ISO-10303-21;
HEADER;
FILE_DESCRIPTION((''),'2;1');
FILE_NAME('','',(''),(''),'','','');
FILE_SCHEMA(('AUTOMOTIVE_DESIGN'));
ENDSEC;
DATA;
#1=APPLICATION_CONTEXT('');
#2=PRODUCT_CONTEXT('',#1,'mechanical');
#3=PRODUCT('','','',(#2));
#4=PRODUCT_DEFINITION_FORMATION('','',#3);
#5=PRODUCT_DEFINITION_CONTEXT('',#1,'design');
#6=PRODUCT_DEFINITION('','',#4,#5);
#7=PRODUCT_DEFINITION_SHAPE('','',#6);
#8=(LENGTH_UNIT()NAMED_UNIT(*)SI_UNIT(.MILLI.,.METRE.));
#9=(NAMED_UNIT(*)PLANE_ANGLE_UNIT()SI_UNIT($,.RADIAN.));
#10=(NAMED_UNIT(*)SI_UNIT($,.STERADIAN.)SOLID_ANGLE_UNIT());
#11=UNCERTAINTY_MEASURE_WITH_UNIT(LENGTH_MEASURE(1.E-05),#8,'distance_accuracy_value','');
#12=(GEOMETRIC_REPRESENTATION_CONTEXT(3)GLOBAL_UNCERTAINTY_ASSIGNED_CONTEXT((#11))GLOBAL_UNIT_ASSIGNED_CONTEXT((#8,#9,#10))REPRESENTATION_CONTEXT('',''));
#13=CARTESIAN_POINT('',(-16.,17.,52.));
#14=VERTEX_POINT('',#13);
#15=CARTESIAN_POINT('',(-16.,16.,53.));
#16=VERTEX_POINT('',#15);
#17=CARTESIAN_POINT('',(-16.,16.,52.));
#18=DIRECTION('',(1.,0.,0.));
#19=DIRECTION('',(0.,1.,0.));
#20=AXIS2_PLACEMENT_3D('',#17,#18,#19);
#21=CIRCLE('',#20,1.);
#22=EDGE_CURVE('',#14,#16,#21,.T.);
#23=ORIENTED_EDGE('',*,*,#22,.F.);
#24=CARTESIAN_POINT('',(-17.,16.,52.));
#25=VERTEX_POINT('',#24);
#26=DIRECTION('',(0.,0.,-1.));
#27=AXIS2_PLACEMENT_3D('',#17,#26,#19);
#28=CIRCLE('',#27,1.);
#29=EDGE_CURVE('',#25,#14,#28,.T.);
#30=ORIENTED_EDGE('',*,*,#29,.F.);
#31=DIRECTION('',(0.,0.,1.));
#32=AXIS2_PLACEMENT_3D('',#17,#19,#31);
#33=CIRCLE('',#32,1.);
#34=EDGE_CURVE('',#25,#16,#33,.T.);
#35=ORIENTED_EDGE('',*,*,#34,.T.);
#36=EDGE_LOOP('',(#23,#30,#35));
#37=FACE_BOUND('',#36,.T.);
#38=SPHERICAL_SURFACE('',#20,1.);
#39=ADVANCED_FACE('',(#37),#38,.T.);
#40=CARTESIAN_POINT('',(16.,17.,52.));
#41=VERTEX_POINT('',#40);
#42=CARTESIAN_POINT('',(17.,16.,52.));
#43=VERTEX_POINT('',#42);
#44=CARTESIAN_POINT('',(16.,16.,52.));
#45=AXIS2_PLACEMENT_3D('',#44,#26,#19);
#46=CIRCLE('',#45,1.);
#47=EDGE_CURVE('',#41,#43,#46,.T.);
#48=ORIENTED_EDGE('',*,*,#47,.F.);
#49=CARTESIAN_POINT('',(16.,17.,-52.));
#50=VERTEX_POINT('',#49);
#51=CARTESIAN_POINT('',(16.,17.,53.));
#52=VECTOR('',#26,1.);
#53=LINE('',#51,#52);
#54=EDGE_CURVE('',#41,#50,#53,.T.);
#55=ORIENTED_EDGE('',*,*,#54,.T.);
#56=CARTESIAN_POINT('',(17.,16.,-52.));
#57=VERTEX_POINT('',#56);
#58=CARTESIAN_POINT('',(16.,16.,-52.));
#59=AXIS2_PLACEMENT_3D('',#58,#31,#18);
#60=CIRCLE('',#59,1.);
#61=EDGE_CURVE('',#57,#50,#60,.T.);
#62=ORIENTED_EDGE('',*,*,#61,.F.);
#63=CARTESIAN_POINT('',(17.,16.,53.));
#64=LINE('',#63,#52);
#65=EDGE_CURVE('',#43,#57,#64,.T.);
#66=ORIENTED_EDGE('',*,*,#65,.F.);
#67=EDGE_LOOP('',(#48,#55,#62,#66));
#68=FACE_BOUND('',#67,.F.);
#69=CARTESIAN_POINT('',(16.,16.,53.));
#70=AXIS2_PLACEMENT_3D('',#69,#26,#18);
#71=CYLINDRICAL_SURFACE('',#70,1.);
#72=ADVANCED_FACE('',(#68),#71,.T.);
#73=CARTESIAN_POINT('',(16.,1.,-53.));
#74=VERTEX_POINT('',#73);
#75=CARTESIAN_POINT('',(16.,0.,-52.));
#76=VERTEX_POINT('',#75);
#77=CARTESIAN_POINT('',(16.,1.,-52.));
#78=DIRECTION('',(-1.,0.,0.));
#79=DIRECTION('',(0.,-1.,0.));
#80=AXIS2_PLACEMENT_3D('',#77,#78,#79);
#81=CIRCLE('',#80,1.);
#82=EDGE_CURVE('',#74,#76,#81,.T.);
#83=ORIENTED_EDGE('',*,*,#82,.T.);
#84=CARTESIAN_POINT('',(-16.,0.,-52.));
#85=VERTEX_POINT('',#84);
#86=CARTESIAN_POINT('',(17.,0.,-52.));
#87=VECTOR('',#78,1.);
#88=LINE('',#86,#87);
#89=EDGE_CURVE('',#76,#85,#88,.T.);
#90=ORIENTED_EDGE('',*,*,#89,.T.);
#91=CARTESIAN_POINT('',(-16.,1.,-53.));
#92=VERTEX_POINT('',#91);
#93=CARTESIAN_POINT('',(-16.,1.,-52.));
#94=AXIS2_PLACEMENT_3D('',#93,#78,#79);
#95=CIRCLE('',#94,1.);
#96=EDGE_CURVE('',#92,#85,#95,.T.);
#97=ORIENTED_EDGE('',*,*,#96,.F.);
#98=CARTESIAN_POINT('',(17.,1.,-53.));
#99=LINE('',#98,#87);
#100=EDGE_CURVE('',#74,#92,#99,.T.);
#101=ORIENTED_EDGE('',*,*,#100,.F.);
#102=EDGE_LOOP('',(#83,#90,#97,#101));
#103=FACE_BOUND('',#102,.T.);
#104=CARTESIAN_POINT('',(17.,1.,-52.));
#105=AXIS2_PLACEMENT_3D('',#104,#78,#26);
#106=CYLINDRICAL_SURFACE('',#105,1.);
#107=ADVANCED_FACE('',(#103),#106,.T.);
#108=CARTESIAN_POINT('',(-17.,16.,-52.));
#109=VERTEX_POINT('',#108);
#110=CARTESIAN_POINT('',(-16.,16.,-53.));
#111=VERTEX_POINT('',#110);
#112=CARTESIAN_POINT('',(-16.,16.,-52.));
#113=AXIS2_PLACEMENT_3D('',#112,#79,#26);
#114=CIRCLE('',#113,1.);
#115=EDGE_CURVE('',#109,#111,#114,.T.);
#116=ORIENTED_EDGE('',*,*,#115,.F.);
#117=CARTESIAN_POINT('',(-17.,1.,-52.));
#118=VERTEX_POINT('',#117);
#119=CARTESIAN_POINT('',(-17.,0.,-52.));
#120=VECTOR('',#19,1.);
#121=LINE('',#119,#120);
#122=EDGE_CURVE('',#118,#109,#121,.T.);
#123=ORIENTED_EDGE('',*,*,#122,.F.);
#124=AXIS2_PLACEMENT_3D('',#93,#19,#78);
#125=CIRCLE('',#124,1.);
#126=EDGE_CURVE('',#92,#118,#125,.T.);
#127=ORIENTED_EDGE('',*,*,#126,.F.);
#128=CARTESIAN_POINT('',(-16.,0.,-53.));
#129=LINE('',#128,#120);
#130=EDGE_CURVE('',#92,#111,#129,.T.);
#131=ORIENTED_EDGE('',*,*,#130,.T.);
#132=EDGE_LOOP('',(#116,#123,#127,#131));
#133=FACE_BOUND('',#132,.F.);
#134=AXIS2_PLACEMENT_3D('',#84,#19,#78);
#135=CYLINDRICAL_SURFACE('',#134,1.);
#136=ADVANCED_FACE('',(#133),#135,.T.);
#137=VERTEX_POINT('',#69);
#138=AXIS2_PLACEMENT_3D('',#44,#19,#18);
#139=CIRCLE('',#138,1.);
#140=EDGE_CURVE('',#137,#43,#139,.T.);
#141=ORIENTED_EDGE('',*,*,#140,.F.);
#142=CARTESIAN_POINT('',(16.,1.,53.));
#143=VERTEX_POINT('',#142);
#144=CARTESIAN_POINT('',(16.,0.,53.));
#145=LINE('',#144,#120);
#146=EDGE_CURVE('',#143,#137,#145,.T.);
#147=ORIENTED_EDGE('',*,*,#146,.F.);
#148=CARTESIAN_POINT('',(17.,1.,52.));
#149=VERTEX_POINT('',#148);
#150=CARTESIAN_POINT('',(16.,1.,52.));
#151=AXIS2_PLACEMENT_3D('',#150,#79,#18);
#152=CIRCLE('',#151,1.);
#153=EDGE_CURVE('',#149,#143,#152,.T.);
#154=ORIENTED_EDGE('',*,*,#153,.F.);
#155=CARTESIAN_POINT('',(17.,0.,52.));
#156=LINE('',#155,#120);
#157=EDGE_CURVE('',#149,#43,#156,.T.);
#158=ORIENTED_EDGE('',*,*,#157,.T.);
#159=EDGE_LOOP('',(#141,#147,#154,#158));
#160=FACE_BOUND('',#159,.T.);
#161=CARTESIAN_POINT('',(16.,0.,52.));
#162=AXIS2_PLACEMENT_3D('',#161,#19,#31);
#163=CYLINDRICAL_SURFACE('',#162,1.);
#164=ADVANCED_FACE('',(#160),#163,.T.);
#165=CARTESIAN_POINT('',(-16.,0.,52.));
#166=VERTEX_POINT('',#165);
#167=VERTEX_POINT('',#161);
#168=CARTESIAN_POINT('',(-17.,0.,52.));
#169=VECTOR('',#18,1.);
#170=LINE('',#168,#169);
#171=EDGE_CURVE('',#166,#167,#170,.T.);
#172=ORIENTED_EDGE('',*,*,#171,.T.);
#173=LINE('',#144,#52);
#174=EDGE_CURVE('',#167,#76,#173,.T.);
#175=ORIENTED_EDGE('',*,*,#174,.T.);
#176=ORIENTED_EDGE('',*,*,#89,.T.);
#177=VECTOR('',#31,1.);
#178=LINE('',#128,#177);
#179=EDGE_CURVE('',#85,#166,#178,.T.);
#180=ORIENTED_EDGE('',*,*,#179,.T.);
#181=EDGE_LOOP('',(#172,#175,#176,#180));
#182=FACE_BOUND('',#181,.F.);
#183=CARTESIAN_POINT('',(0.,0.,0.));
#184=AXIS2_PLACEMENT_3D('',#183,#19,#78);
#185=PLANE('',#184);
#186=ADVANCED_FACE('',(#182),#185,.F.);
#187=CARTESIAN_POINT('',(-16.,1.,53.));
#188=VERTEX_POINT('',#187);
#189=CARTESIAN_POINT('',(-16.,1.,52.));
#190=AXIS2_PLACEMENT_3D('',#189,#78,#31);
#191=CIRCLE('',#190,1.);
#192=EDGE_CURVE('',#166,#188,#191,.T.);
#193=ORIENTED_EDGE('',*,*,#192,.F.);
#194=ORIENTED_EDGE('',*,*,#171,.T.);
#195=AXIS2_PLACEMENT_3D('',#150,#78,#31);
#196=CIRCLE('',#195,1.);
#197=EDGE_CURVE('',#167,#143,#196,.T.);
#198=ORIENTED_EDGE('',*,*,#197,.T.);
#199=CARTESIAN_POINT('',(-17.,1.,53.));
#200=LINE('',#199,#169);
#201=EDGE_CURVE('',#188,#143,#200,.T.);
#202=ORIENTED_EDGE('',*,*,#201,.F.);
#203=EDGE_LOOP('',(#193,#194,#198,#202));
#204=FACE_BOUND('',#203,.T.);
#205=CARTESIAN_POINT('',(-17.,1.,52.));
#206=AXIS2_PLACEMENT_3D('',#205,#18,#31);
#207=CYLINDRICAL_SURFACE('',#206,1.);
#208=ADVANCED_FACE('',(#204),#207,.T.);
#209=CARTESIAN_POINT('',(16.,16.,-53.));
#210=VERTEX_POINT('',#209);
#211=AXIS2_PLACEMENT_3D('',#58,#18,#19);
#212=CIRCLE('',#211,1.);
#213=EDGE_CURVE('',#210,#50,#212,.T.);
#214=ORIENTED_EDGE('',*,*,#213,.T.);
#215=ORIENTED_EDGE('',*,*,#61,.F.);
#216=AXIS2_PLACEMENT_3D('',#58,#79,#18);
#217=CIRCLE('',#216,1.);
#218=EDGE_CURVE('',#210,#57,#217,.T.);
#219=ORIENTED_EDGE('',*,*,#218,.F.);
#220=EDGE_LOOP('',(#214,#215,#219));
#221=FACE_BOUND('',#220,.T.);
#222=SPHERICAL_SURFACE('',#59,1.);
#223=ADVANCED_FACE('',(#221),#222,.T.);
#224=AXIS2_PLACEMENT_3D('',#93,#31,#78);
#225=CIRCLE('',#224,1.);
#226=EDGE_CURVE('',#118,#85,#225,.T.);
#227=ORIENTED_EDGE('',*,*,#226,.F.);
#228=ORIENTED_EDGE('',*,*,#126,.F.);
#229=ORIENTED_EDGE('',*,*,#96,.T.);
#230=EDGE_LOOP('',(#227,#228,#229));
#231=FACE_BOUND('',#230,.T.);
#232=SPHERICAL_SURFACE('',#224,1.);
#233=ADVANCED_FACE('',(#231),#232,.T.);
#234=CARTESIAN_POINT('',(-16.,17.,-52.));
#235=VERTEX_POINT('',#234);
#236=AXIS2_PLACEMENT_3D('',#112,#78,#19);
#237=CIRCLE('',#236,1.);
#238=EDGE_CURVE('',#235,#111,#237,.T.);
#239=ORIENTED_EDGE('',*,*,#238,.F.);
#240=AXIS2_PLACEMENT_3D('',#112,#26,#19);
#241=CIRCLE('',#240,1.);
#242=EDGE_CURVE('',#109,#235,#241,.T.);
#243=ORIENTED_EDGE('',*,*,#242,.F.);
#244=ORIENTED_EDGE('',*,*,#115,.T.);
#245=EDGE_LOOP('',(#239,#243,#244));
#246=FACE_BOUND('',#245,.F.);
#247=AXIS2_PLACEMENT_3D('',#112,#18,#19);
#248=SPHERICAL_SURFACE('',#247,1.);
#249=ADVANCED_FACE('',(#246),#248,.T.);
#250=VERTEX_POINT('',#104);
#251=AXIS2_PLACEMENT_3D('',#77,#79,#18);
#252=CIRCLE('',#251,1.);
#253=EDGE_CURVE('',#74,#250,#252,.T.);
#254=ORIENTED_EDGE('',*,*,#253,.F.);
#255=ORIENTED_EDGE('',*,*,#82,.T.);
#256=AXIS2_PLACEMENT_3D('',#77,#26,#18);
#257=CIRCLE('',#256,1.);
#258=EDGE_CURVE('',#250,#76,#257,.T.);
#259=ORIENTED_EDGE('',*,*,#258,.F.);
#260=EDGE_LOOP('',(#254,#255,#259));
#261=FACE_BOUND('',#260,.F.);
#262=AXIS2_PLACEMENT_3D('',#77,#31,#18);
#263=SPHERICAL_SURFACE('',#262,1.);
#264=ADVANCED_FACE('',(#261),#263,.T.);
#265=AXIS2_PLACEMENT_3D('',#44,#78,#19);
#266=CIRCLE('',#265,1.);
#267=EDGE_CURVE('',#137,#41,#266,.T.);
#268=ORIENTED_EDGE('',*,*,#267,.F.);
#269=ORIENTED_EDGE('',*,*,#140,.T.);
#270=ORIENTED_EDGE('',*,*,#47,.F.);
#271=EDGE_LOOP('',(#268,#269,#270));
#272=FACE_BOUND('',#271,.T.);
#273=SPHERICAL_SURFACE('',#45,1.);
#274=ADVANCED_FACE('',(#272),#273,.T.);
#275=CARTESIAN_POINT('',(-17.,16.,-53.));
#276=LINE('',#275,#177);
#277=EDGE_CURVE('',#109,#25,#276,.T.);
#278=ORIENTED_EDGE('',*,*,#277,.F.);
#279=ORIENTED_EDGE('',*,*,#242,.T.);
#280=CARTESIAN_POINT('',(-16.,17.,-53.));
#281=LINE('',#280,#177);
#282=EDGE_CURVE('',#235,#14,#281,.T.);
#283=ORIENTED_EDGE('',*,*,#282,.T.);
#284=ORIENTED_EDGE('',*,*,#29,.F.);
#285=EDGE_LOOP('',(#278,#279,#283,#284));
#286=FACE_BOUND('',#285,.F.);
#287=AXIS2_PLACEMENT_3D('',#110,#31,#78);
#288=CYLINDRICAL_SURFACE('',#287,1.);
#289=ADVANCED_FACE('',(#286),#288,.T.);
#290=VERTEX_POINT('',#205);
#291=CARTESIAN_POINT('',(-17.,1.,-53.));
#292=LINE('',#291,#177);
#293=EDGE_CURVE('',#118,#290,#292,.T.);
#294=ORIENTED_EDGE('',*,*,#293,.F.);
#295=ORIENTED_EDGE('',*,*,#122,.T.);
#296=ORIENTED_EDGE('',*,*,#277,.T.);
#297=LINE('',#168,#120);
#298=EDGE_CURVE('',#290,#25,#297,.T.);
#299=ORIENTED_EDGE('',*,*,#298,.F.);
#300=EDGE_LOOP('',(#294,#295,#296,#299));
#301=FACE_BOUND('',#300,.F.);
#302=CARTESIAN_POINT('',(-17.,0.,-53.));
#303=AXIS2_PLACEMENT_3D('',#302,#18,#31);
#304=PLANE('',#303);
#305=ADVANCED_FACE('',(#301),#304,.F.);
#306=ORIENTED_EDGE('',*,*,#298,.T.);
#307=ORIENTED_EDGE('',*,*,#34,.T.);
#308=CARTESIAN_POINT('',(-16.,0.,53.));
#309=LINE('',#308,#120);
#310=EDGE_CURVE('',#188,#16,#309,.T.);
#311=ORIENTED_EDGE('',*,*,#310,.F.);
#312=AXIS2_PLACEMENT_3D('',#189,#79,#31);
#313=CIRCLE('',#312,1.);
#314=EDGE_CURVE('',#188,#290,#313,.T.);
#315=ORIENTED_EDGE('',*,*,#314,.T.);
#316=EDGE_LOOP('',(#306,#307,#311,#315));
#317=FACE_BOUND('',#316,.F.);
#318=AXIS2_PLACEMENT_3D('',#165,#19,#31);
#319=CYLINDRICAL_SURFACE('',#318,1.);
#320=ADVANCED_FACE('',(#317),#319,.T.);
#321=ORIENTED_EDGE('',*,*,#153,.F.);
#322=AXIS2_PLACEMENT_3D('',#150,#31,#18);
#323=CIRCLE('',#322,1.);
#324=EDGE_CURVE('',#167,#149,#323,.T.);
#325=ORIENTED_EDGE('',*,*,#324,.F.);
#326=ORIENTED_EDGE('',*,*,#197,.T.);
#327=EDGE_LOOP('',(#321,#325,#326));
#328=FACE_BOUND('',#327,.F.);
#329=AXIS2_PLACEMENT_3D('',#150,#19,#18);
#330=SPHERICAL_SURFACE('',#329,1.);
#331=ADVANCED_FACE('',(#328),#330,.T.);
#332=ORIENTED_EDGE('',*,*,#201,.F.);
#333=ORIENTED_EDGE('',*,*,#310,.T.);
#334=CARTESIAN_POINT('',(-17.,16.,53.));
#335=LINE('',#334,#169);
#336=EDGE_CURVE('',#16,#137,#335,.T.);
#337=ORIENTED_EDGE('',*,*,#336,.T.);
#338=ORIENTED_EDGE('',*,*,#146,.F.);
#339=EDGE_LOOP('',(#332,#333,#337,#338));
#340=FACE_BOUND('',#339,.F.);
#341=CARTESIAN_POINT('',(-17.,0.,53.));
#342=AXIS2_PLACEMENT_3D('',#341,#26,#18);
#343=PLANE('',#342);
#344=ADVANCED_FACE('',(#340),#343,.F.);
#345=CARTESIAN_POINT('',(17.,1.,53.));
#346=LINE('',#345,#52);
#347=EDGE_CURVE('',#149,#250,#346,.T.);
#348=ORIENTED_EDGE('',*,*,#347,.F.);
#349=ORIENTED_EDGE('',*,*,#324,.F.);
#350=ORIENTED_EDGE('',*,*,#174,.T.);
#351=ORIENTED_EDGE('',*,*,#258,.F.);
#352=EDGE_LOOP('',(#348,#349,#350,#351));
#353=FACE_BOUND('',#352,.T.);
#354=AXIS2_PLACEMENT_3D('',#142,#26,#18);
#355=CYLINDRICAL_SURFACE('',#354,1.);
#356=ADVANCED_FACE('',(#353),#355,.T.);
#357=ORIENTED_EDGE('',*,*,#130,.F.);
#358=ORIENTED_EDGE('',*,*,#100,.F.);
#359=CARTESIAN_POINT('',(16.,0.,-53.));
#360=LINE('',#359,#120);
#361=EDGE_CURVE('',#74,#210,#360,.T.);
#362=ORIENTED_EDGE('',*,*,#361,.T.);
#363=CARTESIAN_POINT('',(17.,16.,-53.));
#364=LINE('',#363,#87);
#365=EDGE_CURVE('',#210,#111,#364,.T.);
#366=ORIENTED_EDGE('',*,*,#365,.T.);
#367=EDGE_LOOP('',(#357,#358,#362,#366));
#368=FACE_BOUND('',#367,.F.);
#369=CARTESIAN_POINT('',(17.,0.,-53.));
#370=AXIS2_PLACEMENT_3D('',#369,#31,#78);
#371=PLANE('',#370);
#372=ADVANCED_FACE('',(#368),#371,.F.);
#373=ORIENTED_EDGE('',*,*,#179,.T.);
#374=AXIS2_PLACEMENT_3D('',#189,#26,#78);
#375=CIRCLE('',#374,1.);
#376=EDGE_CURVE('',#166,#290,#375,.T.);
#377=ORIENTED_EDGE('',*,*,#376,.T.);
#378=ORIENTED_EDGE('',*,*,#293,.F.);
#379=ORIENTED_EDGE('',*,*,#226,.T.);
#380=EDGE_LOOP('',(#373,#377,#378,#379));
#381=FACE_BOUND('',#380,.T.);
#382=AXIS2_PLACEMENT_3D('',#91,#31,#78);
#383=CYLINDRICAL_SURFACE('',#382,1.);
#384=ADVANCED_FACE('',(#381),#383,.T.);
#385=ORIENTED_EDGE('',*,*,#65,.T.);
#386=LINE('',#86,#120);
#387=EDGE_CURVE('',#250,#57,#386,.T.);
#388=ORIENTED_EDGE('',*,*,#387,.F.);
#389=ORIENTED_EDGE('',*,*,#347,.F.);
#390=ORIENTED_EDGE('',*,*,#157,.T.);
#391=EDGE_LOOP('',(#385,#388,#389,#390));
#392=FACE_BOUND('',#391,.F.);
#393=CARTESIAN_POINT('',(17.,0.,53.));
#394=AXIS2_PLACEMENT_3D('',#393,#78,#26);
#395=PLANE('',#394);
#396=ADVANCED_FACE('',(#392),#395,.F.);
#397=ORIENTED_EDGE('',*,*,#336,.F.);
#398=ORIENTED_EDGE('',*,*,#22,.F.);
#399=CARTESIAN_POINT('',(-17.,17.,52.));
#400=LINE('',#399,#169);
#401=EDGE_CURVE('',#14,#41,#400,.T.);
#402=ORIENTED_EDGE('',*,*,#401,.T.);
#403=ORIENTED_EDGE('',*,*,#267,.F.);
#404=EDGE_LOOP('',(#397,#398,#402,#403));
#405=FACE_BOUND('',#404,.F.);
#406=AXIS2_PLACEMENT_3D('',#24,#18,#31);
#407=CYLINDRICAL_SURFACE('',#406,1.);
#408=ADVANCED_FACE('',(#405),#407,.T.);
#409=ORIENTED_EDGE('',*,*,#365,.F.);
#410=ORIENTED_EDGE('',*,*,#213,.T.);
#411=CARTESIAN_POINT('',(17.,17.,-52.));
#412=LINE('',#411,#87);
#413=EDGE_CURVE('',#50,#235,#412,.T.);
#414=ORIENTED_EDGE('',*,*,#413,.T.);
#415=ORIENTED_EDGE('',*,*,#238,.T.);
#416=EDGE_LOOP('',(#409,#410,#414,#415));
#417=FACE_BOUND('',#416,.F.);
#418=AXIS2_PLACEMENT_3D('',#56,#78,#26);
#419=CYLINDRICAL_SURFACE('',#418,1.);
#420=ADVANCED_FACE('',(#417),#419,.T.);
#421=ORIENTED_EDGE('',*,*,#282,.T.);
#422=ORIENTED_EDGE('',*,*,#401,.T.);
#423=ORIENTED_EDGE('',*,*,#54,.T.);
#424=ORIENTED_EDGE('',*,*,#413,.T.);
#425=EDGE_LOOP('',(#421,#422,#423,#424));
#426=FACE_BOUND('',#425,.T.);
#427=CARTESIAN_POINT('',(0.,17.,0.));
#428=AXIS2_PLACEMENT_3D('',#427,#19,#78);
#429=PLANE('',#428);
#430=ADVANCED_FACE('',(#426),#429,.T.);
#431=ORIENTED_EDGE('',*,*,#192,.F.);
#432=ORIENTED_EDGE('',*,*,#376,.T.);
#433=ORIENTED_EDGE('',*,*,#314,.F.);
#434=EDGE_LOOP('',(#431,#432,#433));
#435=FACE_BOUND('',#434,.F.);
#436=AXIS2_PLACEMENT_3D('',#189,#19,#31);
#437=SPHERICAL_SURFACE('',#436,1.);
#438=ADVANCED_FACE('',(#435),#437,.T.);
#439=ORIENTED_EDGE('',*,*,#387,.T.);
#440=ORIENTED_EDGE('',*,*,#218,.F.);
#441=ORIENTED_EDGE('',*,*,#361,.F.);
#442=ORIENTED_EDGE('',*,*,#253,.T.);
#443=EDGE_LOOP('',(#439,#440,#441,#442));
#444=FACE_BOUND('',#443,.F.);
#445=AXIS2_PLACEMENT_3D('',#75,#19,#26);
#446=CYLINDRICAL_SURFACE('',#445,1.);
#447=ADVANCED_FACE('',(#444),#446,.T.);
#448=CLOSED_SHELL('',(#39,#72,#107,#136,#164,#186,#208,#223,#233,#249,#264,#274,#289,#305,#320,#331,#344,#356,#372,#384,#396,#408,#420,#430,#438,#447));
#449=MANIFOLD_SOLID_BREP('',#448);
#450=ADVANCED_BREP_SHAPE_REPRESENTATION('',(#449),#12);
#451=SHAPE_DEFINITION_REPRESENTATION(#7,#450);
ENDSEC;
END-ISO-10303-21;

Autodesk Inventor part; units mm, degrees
ref_plane "YZ Plane" through (0, 0, 0) normal (1, 0, 0) x (0, 1, 0)
ref_plane "XZ Plane" through (0, 0, 0) normal (0, 1, 0) x (-1, 0, 0)
ref_plane "XY Plane" through (0, 0, 0) normal (0, 0, 1) x (1, 0, 0)
sketch "Sketch1" plane through (0, 0, 0) normal (0, 1, 0) x (-1, 0, 0)
  line L0 (-17, 53) -> (-17, -53)
  line L1 (-17, -53) -> (17, -53)
  line L2 (17, -53) -> (17, 53)
  line L3 (17, 53) -> (-17, 53)
  line L4 (-17, 53) -> (17, -53) construction
  line L5 (-17, -53) -> (17, 53) construction
  point P0 (0, 0)
  dimension "d0" = 106
  dimension "d1" = 34
extrude "Extrusion1" add sketch "Sketch1" along normal blind 17
fillet "Fillet1" radius 1 12 edges at (17, 17, 0) (0, 17, 53) (17, 8.5, 53) (17, 0, 0) (17, 8.5, -53) (0, 17, -53) (-17, 17, 0) (-17, 8.5, 53) (0, 0, 53) (-17, 0, 0) (-17, 8.5, -53) (0, 0, -53)
properties part number "Battery"
